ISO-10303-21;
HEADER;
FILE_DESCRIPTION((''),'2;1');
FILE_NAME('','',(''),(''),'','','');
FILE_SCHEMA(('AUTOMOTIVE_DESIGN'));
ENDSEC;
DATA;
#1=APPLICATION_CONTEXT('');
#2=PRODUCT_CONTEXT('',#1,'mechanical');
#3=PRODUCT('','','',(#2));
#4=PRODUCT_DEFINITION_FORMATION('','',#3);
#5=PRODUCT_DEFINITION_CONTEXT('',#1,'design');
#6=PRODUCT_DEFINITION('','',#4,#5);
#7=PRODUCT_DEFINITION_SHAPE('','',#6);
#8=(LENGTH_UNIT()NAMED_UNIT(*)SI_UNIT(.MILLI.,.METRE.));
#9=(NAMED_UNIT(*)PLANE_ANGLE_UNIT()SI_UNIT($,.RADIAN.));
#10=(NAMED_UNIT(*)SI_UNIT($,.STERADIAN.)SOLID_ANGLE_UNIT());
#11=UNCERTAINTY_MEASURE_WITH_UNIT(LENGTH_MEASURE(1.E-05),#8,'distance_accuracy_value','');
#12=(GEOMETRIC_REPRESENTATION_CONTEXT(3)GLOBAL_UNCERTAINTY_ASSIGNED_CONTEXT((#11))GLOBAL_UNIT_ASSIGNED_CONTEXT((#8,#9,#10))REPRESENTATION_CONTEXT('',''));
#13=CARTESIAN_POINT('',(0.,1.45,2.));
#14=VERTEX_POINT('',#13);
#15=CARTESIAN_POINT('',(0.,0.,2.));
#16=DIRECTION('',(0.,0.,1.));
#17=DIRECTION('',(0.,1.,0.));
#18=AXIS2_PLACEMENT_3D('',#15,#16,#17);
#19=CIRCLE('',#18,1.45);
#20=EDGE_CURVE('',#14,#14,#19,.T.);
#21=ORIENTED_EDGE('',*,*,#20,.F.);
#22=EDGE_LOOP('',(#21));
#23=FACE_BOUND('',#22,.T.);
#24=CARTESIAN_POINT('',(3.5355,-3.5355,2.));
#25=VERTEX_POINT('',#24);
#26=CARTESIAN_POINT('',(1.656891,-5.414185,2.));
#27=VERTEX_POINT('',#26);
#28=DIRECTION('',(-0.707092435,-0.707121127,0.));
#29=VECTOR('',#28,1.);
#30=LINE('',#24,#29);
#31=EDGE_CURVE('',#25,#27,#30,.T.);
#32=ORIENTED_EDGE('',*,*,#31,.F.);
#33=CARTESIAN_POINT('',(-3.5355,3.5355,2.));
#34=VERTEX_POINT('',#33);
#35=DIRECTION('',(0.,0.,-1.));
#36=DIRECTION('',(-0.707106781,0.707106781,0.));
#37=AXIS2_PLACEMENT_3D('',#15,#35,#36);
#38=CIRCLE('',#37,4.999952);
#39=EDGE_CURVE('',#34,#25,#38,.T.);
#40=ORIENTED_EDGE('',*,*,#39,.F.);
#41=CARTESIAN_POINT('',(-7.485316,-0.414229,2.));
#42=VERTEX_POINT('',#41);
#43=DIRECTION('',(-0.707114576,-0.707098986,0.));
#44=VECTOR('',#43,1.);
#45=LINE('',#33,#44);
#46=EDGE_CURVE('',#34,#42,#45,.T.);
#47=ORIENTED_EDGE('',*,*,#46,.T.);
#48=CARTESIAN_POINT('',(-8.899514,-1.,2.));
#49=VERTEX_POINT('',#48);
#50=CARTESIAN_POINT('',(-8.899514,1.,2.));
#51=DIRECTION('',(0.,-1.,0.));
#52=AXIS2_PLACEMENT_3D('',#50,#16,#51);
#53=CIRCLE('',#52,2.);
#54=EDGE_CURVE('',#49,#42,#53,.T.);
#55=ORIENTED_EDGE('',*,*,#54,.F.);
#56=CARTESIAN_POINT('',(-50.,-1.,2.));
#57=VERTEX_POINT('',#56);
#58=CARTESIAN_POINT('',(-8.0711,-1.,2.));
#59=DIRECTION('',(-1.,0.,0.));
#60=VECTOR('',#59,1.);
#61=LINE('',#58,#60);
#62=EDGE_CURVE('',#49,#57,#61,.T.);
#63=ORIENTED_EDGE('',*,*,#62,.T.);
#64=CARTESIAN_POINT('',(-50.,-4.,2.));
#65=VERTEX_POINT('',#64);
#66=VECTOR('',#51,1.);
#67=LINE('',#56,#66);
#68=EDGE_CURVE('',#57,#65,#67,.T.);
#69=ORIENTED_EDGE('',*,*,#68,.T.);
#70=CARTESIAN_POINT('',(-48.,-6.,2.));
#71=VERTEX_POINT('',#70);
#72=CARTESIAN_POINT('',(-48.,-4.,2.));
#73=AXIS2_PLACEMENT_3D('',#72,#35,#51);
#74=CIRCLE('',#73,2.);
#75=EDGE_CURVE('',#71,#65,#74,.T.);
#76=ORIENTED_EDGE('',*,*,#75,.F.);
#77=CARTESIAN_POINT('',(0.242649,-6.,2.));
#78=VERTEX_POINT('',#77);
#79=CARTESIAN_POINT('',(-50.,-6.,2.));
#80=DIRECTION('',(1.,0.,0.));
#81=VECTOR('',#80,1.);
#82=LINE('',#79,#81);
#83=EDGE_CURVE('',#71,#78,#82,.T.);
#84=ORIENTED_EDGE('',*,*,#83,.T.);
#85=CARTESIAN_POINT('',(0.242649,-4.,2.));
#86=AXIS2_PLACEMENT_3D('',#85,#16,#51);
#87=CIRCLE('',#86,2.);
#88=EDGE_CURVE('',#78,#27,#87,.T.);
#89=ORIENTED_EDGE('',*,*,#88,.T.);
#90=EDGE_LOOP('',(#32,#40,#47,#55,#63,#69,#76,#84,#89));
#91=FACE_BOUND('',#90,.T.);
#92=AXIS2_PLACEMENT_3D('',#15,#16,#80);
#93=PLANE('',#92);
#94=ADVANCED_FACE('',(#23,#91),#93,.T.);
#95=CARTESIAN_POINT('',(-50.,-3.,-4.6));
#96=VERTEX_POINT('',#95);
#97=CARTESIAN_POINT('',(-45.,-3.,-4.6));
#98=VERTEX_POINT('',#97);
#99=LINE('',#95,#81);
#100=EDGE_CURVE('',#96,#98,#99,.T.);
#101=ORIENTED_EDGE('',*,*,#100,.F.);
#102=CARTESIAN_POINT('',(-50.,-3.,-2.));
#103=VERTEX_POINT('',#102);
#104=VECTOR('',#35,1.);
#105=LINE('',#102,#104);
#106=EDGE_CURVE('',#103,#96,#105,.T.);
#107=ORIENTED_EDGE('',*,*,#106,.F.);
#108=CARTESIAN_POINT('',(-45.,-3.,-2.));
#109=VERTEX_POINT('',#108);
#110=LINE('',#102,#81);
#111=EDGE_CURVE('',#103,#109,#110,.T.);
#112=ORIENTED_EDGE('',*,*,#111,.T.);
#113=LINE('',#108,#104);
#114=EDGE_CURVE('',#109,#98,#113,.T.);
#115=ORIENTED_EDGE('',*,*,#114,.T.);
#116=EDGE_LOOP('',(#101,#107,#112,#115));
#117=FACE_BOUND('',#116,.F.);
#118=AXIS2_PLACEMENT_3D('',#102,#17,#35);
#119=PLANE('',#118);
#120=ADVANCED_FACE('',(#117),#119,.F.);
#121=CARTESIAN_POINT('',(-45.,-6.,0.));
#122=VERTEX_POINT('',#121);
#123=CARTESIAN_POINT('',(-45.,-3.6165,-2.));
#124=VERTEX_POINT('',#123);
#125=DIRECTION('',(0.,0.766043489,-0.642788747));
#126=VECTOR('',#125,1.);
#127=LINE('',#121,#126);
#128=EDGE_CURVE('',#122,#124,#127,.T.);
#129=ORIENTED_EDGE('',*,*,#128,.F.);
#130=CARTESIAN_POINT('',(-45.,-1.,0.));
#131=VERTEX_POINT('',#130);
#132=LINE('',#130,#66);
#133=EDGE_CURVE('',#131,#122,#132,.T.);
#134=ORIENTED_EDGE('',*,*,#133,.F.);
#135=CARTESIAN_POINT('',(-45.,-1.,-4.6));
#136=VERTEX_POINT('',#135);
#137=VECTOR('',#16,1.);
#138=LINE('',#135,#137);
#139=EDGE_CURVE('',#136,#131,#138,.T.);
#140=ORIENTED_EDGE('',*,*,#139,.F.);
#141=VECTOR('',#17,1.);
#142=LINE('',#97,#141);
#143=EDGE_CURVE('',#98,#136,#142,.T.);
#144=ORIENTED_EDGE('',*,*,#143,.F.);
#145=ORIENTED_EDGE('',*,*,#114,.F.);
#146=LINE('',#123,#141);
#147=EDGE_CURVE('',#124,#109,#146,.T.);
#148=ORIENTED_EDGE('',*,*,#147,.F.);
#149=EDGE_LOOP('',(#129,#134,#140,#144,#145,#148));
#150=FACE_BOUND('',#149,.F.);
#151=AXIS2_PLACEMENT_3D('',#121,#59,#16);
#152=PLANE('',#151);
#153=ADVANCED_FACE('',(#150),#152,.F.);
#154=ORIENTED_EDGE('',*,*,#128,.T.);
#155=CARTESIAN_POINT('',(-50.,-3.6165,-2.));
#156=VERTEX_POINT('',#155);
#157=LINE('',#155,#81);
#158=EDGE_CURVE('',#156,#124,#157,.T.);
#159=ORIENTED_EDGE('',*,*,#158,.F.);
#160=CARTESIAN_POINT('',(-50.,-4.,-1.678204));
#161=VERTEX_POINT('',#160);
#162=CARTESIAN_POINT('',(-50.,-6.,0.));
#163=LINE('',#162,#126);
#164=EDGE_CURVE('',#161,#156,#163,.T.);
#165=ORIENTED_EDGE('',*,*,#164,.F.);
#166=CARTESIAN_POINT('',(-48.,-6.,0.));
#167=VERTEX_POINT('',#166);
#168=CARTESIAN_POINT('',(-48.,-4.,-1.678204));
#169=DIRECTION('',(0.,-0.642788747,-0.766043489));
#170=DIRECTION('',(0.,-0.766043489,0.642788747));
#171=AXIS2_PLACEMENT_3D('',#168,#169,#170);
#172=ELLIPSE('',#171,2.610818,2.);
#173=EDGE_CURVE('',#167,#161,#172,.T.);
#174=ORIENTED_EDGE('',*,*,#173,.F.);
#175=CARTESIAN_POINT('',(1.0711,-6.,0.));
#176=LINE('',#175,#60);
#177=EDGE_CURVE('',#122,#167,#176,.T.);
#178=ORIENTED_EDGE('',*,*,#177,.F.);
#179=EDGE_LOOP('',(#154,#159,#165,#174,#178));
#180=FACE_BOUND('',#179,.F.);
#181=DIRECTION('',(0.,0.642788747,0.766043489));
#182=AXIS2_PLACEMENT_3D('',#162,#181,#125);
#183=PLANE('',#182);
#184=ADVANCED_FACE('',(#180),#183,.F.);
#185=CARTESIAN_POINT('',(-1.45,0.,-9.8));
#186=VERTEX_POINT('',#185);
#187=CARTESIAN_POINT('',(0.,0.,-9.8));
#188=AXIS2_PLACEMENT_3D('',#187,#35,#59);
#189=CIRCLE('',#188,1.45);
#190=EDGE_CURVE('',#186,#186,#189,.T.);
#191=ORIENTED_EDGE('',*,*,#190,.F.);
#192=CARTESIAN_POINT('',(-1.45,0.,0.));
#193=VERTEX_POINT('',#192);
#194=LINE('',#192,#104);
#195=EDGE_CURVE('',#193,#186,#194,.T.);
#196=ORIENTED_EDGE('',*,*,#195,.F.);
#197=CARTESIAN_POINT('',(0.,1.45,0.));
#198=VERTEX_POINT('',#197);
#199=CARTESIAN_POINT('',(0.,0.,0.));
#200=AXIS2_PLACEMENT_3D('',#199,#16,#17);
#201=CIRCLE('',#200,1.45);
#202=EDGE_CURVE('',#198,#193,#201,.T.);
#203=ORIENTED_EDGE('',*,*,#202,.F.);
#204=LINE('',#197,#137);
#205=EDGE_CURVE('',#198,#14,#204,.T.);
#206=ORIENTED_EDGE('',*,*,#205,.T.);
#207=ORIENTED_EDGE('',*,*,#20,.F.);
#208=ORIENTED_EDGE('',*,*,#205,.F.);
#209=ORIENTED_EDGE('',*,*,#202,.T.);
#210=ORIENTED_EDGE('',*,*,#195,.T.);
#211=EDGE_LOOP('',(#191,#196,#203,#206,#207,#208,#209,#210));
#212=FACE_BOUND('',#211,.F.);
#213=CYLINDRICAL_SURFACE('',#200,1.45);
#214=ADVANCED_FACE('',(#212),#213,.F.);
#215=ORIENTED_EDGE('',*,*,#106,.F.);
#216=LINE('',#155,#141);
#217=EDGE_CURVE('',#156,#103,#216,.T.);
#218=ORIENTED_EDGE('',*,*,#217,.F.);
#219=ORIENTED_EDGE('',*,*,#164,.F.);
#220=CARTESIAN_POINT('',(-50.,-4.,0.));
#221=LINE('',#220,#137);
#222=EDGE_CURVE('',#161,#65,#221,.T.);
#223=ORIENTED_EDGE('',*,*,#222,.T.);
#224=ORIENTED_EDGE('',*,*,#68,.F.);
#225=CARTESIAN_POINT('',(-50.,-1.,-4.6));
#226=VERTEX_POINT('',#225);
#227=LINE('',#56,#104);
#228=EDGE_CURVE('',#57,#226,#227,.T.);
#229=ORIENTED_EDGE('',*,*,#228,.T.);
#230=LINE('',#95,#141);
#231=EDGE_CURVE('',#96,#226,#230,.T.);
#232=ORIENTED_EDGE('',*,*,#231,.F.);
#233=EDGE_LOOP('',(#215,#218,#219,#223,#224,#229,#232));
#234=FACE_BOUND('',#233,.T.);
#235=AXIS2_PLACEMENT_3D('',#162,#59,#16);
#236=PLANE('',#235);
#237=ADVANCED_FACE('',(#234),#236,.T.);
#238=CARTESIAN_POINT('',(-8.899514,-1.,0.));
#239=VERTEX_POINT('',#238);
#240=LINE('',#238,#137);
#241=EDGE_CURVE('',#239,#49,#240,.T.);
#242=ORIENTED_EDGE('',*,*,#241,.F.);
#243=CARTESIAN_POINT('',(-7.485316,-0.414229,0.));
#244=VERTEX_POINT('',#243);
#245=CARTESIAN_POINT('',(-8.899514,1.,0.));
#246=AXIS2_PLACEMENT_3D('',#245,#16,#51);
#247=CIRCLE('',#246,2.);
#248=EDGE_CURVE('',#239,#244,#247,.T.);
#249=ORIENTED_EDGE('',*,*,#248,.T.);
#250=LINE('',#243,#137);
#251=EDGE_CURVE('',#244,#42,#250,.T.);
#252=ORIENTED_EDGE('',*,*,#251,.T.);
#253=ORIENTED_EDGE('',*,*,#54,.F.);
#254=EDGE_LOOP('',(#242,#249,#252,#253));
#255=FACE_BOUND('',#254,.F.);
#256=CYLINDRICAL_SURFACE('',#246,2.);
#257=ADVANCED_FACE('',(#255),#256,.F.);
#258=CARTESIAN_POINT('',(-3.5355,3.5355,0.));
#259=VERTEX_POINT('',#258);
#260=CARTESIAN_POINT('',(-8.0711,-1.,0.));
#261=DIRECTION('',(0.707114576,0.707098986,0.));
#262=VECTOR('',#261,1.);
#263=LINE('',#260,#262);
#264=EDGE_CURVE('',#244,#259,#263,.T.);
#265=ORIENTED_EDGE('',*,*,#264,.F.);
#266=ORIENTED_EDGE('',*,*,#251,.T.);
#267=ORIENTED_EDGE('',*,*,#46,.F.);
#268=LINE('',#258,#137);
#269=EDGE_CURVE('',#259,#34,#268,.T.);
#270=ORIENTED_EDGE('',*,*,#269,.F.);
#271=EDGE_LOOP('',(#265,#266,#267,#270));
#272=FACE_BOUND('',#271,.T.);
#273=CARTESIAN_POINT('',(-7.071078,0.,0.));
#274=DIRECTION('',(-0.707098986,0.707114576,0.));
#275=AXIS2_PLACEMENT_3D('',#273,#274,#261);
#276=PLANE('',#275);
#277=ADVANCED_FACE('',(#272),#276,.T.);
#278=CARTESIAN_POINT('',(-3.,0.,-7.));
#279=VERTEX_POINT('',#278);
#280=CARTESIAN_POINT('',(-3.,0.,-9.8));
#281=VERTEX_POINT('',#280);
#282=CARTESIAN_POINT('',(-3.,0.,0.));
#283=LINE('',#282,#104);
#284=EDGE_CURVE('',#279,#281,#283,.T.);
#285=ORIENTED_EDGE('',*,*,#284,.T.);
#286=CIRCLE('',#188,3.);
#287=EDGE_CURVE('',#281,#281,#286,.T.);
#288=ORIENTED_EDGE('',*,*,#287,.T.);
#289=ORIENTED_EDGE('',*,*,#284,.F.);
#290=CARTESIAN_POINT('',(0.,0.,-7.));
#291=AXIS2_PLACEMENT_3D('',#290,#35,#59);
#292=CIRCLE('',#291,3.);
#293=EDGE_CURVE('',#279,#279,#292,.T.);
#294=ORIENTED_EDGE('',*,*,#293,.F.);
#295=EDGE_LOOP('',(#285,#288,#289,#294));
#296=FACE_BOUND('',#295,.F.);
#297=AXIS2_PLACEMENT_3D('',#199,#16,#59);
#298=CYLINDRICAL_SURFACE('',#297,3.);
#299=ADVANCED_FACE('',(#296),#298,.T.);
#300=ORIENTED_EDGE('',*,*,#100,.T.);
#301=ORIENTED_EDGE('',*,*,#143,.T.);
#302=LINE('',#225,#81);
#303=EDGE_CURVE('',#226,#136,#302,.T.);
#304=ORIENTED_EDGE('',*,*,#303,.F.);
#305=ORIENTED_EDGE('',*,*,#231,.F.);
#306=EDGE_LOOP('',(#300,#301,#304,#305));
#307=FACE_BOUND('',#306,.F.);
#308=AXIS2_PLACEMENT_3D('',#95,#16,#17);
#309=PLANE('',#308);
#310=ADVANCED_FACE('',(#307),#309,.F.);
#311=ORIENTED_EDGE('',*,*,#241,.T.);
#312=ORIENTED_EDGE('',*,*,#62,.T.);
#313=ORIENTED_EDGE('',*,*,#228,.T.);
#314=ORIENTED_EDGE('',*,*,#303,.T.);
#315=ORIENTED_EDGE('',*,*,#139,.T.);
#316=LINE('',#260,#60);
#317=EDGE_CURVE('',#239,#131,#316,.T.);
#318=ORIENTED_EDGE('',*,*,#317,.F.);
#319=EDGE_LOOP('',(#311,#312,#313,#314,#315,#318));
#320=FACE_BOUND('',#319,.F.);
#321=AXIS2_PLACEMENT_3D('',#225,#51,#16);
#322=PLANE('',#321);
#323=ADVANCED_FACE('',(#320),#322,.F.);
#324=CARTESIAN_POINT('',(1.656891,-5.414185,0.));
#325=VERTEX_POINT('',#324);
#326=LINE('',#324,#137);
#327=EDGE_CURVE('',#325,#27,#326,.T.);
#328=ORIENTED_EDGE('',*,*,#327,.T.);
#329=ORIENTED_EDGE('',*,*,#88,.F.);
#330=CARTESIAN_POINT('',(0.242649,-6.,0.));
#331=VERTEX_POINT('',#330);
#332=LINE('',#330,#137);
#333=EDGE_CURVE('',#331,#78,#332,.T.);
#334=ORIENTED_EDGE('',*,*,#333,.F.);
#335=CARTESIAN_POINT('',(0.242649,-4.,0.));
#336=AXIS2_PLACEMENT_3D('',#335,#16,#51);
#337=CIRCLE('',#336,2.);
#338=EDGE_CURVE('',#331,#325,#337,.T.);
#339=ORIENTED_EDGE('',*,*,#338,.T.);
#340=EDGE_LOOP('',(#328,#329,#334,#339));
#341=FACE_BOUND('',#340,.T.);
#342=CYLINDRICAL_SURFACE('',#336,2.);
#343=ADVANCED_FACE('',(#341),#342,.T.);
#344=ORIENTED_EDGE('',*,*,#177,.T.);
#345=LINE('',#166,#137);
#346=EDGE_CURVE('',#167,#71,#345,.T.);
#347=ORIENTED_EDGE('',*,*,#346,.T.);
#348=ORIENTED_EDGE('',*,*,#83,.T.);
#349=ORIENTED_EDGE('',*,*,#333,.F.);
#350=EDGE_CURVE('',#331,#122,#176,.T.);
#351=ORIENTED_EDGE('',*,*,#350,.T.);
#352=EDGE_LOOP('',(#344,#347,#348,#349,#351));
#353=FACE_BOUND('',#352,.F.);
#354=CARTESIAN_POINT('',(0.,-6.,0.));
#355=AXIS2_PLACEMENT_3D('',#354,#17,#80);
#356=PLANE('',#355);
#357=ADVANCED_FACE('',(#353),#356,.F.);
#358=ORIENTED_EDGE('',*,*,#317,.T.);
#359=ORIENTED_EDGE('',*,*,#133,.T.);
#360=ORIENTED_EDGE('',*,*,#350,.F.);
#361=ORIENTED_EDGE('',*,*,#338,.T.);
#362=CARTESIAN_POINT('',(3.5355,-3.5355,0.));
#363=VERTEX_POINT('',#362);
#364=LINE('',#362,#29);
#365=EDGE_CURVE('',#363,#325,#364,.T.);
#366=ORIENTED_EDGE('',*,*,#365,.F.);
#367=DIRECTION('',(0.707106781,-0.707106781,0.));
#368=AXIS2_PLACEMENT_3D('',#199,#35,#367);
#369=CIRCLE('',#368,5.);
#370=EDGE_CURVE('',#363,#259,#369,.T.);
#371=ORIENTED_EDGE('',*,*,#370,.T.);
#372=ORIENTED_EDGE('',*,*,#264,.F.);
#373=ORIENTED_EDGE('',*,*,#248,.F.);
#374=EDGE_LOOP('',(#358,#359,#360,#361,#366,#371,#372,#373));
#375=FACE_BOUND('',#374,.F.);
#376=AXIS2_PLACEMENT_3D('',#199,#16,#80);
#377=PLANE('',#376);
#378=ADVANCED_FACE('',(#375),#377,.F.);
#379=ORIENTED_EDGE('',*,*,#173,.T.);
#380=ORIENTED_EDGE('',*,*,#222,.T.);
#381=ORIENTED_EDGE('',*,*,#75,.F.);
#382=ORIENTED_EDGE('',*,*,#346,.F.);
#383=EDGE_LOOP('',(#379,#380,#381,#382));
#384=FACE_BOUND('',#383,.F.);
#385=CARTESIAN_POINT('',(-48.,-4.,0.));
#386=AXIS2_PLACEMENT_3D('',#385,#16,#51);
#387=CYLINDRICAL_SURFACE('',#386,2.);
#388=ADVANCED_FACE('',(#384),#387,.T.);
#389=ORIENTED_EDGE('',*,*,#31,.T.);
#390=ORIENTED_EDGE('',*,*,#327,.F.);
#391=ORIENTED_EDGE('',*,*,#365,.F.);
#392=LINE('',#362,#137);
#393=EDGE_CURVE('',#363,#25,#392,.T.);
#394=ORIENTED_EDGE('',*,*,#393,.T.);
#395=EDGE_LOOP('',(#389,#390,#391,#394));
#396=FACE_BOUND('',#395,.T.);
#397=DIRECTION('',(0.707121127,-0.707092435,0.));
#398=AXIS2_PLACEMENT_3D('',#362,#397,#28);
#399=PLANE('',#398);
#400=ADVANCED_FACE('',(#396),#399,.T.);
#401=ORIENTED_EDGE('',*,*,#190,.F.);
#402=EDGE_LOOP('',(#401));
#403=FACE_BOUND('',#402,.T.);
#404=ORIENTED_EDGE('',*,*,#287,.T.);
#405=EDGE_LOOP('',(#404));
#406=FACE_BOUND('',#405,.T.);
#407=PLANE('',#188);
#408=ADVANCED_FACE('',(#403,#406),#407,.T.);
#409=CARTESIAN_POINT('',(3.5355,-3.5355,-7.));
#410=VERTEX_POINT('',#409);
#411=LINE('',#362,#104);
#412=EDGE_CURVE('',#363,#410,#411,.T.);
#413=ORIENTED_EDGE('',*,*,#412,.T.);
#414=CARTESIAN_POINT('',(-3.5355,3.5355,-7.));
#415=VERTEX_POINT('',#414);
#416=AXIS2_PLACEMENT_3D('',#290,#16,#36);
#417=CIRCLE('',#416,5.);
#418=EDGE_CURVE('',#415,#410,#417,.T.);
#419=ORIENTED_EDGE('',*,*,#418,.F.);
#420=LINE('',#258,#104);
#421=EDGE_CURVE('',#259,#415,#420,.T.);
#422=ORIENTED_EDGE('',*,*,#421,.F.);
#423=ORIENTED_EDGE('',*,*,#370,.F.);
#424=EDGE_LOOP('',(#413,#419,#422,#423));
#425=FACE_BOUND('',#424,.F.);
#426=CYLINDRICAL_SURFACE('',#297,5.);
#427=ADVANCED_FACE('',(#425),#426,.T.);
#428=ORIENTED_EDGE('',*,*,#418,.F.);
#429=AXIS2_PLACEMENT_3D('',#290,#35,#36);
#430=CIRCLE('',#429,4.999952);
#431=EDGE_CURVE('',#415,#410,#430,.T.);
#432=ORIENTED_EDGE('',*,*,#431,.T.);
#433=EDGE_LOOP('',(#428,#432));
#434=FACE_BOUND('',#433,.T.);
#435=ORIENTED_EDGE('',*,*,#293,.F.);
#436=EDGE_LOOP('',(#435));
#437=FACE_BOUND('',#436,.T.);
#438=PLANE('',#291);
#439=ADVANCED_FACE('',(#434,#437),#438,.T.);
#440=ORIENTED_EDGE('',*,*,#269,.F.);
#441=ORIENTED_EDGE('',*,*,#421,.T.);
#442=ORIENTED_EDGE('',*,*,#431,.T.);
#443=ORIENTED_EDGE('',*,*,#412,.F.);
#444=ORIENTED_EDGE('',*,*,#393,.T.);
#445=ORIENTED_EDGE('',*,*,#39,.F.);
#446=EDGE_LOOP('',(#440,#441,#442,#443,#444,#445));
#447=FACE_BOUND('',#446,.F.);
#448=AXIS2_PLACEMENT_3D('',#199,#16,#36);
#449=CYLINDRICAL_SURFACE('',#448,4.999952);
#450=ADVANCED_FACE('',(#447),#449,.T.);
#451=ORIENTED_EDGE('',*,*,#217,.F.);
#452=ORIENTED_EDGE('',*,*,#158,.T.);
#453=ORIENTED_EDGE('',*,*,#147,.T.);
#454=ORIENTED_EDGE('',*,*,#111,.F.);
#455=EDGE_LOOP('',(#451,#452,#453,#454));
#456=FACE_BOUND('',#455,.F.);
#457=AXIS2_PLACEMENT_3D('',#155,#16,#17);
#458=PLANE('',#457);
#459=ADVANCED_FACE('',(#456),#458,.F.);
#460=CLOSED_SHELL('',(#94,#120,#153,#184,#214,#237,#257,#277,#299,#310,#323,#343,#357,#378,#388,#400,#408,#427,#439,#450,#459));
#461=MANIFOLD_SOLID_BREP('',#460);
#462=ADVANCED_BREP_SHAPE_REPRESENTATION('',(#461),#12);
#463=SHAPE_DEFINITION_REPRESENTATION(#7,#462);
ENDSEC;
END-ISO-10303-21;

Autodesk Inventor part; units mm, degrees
ref_plane "YZ Plane" through (0, 0, 0) normal (1, 0, 0) x (0, 1, 0)
ref_plane "XZ Plane" through (0, 0, 0) normal (0, 1, 0) x (-1, 0, 0)
ref_plane "XY Plane" through (0, 0, 0) normal (0, 0, 1) x (1, 0, 0)
sketch "Skizze1" plane through (0, 0, 0) normal (0, 0, 1) x (1, 0, 0)
  line L0 (0, 9.6853) -> (0, -8.6142) projected
  line L1 (-61.4142, 0) -> (18.4853, 0) projected
  arc A0 (3.5355, -3.5355) -> (-3.5355, 3.5355) centre (0, 0) ccw
  line L2 (-8.0711, -1) -> (-50, -1)
  line L3 (-50, -1) -> (-50, -6)
  line L4 (-50, -6) -> (1.0711, -6)
  line L5 (3.5355, -3.5355) -> (1.0711, -6)
  line L6 (-8.0711, -1) -> (-3.5355, 3.5355)
  dimension "d1" = 5
  dimension "d2" = 1
  dimension "d3" = 5
  dimension "d21" = 50
  dimension "d22" = 45
extrude "Extrusion1" add sketch "Skizze1" along normal blind 2
sketch "Skizze2" plane through (0, 0, 0) normal (0, 0, 1) x (1, 0, 0)
  point P0 (0, 0)
  point P1 (0, 0)
hole "Bohrung1" at (0, 0, 0) direction (0, 0, 1) diameter 2.9 end through all
sketch "Skizze5" plane through (-50, -6, 0) normal (-1, 0, 0) x (0, 0, 1)
  line L0 (0, 5) -> (0, 0) projected
  line L1 (0, 0) -> (2, 0) projected
  line L2 (2, 5) -> (2, 0) projected
  line L3 (0, 5) -> (2, 5) projected
  line L4 (0, 0) -> (2, 0) projected
  line L5 (0, 0) -> (-2, 2.3835)
  line L6 (-2, 2.3835) -> (-2, 3)
  line L7 (0, 5) -> (0, 0) projected
  line L8 (0, 0) -> (0, 5)
  line L9 (-2, 3) -> (-4.6, 3)
  line L10 (-4.6, 3) -> (-4.6, 5)
  line L11 (-4.6, 5) -> (0, 5)
  point P0 (0, 6)
  dimension "d23" = 40
  dimension "d28" = 3
  dimension "d29" = 2
  dimension "d30" = 4.6
extrude "Extrusion4" add sketch "Skizze5" against normal blind 5 contours L0 L5 L6 L9 L10 L11
fillet "Rundung1" radius 2 3 edges at (1.0711, -6, 1) (-8.0711, -1, 1) (-50, -6, 1)
sketch "Skizze8" plane through (0, 0, 0) normal (0, 0, -1) x (-1, 0, 0)
  circle A0 centre (0, 0) radius 5
  arc A1 (3.5355, 3.5355) -> (-3.5355, -3.5355) centre (0, 0) ccw projected
  circle A2 centre (0, 0) radius 1.45 projected
  circle A3 centre (0, 0) radius 3
  dimension "d41" = 6
extrude "Extrusion7" add sketch "Skizze8" along normal blind 9.8 contours A3
sketch "Skizze6" plane through (0, 0, -9.8) normal (0, 0, -1) x (-1, 0, 0)
  circle A0 centre (0, 0) radius 1.5
  circle A1 centre (0, 0) radius 1.45 projected
  circle A2 centre (0, 0) radius 1.45 projected
  dimension "d32" = 3
extrude "Extrusion5" [suppressed]
sketch "Skizze7" plane through (0, 0, -12.2) normal (0, 0, -1) x (-1, 0, 0)
  line L0 (0.2, 2) -> (-0.2, 2)
  line L1 (-0.2, 2) -> (-0.2, -2)
  line L2 (-0.2, -2) -> (0.2, -2)
  line L3 (0.2, -2) -> (0.2, 2)
  line L4 (0.2, 2) -> (-0.2, -2) construction
  line L5 (-0.2, 2) -> (0.2, -2) construction
  point P0 (0, 0)
  dimension "d35" = 0.4
  dimension "d36" = 4
extrude "Extrusion6" [suppressed]
sketch "Skizze9" plane through (0, 0, 0) normal (0, 0, -1) x (-1, 0, 0)
  arc A0 (3.5355, 3.5355) -> (-3.5355, -3.5355) centre (0, 0) ccw projected
  circle A1 centre (0, 0) radius 5
  circle A2 centre (0, 0) radius 3 projected
  point P0 (3.5355, 3.5355)
extrude "Extrusion8" add sketch "Skizze9" along normal blind 7
properties part number "Akkusperre"
